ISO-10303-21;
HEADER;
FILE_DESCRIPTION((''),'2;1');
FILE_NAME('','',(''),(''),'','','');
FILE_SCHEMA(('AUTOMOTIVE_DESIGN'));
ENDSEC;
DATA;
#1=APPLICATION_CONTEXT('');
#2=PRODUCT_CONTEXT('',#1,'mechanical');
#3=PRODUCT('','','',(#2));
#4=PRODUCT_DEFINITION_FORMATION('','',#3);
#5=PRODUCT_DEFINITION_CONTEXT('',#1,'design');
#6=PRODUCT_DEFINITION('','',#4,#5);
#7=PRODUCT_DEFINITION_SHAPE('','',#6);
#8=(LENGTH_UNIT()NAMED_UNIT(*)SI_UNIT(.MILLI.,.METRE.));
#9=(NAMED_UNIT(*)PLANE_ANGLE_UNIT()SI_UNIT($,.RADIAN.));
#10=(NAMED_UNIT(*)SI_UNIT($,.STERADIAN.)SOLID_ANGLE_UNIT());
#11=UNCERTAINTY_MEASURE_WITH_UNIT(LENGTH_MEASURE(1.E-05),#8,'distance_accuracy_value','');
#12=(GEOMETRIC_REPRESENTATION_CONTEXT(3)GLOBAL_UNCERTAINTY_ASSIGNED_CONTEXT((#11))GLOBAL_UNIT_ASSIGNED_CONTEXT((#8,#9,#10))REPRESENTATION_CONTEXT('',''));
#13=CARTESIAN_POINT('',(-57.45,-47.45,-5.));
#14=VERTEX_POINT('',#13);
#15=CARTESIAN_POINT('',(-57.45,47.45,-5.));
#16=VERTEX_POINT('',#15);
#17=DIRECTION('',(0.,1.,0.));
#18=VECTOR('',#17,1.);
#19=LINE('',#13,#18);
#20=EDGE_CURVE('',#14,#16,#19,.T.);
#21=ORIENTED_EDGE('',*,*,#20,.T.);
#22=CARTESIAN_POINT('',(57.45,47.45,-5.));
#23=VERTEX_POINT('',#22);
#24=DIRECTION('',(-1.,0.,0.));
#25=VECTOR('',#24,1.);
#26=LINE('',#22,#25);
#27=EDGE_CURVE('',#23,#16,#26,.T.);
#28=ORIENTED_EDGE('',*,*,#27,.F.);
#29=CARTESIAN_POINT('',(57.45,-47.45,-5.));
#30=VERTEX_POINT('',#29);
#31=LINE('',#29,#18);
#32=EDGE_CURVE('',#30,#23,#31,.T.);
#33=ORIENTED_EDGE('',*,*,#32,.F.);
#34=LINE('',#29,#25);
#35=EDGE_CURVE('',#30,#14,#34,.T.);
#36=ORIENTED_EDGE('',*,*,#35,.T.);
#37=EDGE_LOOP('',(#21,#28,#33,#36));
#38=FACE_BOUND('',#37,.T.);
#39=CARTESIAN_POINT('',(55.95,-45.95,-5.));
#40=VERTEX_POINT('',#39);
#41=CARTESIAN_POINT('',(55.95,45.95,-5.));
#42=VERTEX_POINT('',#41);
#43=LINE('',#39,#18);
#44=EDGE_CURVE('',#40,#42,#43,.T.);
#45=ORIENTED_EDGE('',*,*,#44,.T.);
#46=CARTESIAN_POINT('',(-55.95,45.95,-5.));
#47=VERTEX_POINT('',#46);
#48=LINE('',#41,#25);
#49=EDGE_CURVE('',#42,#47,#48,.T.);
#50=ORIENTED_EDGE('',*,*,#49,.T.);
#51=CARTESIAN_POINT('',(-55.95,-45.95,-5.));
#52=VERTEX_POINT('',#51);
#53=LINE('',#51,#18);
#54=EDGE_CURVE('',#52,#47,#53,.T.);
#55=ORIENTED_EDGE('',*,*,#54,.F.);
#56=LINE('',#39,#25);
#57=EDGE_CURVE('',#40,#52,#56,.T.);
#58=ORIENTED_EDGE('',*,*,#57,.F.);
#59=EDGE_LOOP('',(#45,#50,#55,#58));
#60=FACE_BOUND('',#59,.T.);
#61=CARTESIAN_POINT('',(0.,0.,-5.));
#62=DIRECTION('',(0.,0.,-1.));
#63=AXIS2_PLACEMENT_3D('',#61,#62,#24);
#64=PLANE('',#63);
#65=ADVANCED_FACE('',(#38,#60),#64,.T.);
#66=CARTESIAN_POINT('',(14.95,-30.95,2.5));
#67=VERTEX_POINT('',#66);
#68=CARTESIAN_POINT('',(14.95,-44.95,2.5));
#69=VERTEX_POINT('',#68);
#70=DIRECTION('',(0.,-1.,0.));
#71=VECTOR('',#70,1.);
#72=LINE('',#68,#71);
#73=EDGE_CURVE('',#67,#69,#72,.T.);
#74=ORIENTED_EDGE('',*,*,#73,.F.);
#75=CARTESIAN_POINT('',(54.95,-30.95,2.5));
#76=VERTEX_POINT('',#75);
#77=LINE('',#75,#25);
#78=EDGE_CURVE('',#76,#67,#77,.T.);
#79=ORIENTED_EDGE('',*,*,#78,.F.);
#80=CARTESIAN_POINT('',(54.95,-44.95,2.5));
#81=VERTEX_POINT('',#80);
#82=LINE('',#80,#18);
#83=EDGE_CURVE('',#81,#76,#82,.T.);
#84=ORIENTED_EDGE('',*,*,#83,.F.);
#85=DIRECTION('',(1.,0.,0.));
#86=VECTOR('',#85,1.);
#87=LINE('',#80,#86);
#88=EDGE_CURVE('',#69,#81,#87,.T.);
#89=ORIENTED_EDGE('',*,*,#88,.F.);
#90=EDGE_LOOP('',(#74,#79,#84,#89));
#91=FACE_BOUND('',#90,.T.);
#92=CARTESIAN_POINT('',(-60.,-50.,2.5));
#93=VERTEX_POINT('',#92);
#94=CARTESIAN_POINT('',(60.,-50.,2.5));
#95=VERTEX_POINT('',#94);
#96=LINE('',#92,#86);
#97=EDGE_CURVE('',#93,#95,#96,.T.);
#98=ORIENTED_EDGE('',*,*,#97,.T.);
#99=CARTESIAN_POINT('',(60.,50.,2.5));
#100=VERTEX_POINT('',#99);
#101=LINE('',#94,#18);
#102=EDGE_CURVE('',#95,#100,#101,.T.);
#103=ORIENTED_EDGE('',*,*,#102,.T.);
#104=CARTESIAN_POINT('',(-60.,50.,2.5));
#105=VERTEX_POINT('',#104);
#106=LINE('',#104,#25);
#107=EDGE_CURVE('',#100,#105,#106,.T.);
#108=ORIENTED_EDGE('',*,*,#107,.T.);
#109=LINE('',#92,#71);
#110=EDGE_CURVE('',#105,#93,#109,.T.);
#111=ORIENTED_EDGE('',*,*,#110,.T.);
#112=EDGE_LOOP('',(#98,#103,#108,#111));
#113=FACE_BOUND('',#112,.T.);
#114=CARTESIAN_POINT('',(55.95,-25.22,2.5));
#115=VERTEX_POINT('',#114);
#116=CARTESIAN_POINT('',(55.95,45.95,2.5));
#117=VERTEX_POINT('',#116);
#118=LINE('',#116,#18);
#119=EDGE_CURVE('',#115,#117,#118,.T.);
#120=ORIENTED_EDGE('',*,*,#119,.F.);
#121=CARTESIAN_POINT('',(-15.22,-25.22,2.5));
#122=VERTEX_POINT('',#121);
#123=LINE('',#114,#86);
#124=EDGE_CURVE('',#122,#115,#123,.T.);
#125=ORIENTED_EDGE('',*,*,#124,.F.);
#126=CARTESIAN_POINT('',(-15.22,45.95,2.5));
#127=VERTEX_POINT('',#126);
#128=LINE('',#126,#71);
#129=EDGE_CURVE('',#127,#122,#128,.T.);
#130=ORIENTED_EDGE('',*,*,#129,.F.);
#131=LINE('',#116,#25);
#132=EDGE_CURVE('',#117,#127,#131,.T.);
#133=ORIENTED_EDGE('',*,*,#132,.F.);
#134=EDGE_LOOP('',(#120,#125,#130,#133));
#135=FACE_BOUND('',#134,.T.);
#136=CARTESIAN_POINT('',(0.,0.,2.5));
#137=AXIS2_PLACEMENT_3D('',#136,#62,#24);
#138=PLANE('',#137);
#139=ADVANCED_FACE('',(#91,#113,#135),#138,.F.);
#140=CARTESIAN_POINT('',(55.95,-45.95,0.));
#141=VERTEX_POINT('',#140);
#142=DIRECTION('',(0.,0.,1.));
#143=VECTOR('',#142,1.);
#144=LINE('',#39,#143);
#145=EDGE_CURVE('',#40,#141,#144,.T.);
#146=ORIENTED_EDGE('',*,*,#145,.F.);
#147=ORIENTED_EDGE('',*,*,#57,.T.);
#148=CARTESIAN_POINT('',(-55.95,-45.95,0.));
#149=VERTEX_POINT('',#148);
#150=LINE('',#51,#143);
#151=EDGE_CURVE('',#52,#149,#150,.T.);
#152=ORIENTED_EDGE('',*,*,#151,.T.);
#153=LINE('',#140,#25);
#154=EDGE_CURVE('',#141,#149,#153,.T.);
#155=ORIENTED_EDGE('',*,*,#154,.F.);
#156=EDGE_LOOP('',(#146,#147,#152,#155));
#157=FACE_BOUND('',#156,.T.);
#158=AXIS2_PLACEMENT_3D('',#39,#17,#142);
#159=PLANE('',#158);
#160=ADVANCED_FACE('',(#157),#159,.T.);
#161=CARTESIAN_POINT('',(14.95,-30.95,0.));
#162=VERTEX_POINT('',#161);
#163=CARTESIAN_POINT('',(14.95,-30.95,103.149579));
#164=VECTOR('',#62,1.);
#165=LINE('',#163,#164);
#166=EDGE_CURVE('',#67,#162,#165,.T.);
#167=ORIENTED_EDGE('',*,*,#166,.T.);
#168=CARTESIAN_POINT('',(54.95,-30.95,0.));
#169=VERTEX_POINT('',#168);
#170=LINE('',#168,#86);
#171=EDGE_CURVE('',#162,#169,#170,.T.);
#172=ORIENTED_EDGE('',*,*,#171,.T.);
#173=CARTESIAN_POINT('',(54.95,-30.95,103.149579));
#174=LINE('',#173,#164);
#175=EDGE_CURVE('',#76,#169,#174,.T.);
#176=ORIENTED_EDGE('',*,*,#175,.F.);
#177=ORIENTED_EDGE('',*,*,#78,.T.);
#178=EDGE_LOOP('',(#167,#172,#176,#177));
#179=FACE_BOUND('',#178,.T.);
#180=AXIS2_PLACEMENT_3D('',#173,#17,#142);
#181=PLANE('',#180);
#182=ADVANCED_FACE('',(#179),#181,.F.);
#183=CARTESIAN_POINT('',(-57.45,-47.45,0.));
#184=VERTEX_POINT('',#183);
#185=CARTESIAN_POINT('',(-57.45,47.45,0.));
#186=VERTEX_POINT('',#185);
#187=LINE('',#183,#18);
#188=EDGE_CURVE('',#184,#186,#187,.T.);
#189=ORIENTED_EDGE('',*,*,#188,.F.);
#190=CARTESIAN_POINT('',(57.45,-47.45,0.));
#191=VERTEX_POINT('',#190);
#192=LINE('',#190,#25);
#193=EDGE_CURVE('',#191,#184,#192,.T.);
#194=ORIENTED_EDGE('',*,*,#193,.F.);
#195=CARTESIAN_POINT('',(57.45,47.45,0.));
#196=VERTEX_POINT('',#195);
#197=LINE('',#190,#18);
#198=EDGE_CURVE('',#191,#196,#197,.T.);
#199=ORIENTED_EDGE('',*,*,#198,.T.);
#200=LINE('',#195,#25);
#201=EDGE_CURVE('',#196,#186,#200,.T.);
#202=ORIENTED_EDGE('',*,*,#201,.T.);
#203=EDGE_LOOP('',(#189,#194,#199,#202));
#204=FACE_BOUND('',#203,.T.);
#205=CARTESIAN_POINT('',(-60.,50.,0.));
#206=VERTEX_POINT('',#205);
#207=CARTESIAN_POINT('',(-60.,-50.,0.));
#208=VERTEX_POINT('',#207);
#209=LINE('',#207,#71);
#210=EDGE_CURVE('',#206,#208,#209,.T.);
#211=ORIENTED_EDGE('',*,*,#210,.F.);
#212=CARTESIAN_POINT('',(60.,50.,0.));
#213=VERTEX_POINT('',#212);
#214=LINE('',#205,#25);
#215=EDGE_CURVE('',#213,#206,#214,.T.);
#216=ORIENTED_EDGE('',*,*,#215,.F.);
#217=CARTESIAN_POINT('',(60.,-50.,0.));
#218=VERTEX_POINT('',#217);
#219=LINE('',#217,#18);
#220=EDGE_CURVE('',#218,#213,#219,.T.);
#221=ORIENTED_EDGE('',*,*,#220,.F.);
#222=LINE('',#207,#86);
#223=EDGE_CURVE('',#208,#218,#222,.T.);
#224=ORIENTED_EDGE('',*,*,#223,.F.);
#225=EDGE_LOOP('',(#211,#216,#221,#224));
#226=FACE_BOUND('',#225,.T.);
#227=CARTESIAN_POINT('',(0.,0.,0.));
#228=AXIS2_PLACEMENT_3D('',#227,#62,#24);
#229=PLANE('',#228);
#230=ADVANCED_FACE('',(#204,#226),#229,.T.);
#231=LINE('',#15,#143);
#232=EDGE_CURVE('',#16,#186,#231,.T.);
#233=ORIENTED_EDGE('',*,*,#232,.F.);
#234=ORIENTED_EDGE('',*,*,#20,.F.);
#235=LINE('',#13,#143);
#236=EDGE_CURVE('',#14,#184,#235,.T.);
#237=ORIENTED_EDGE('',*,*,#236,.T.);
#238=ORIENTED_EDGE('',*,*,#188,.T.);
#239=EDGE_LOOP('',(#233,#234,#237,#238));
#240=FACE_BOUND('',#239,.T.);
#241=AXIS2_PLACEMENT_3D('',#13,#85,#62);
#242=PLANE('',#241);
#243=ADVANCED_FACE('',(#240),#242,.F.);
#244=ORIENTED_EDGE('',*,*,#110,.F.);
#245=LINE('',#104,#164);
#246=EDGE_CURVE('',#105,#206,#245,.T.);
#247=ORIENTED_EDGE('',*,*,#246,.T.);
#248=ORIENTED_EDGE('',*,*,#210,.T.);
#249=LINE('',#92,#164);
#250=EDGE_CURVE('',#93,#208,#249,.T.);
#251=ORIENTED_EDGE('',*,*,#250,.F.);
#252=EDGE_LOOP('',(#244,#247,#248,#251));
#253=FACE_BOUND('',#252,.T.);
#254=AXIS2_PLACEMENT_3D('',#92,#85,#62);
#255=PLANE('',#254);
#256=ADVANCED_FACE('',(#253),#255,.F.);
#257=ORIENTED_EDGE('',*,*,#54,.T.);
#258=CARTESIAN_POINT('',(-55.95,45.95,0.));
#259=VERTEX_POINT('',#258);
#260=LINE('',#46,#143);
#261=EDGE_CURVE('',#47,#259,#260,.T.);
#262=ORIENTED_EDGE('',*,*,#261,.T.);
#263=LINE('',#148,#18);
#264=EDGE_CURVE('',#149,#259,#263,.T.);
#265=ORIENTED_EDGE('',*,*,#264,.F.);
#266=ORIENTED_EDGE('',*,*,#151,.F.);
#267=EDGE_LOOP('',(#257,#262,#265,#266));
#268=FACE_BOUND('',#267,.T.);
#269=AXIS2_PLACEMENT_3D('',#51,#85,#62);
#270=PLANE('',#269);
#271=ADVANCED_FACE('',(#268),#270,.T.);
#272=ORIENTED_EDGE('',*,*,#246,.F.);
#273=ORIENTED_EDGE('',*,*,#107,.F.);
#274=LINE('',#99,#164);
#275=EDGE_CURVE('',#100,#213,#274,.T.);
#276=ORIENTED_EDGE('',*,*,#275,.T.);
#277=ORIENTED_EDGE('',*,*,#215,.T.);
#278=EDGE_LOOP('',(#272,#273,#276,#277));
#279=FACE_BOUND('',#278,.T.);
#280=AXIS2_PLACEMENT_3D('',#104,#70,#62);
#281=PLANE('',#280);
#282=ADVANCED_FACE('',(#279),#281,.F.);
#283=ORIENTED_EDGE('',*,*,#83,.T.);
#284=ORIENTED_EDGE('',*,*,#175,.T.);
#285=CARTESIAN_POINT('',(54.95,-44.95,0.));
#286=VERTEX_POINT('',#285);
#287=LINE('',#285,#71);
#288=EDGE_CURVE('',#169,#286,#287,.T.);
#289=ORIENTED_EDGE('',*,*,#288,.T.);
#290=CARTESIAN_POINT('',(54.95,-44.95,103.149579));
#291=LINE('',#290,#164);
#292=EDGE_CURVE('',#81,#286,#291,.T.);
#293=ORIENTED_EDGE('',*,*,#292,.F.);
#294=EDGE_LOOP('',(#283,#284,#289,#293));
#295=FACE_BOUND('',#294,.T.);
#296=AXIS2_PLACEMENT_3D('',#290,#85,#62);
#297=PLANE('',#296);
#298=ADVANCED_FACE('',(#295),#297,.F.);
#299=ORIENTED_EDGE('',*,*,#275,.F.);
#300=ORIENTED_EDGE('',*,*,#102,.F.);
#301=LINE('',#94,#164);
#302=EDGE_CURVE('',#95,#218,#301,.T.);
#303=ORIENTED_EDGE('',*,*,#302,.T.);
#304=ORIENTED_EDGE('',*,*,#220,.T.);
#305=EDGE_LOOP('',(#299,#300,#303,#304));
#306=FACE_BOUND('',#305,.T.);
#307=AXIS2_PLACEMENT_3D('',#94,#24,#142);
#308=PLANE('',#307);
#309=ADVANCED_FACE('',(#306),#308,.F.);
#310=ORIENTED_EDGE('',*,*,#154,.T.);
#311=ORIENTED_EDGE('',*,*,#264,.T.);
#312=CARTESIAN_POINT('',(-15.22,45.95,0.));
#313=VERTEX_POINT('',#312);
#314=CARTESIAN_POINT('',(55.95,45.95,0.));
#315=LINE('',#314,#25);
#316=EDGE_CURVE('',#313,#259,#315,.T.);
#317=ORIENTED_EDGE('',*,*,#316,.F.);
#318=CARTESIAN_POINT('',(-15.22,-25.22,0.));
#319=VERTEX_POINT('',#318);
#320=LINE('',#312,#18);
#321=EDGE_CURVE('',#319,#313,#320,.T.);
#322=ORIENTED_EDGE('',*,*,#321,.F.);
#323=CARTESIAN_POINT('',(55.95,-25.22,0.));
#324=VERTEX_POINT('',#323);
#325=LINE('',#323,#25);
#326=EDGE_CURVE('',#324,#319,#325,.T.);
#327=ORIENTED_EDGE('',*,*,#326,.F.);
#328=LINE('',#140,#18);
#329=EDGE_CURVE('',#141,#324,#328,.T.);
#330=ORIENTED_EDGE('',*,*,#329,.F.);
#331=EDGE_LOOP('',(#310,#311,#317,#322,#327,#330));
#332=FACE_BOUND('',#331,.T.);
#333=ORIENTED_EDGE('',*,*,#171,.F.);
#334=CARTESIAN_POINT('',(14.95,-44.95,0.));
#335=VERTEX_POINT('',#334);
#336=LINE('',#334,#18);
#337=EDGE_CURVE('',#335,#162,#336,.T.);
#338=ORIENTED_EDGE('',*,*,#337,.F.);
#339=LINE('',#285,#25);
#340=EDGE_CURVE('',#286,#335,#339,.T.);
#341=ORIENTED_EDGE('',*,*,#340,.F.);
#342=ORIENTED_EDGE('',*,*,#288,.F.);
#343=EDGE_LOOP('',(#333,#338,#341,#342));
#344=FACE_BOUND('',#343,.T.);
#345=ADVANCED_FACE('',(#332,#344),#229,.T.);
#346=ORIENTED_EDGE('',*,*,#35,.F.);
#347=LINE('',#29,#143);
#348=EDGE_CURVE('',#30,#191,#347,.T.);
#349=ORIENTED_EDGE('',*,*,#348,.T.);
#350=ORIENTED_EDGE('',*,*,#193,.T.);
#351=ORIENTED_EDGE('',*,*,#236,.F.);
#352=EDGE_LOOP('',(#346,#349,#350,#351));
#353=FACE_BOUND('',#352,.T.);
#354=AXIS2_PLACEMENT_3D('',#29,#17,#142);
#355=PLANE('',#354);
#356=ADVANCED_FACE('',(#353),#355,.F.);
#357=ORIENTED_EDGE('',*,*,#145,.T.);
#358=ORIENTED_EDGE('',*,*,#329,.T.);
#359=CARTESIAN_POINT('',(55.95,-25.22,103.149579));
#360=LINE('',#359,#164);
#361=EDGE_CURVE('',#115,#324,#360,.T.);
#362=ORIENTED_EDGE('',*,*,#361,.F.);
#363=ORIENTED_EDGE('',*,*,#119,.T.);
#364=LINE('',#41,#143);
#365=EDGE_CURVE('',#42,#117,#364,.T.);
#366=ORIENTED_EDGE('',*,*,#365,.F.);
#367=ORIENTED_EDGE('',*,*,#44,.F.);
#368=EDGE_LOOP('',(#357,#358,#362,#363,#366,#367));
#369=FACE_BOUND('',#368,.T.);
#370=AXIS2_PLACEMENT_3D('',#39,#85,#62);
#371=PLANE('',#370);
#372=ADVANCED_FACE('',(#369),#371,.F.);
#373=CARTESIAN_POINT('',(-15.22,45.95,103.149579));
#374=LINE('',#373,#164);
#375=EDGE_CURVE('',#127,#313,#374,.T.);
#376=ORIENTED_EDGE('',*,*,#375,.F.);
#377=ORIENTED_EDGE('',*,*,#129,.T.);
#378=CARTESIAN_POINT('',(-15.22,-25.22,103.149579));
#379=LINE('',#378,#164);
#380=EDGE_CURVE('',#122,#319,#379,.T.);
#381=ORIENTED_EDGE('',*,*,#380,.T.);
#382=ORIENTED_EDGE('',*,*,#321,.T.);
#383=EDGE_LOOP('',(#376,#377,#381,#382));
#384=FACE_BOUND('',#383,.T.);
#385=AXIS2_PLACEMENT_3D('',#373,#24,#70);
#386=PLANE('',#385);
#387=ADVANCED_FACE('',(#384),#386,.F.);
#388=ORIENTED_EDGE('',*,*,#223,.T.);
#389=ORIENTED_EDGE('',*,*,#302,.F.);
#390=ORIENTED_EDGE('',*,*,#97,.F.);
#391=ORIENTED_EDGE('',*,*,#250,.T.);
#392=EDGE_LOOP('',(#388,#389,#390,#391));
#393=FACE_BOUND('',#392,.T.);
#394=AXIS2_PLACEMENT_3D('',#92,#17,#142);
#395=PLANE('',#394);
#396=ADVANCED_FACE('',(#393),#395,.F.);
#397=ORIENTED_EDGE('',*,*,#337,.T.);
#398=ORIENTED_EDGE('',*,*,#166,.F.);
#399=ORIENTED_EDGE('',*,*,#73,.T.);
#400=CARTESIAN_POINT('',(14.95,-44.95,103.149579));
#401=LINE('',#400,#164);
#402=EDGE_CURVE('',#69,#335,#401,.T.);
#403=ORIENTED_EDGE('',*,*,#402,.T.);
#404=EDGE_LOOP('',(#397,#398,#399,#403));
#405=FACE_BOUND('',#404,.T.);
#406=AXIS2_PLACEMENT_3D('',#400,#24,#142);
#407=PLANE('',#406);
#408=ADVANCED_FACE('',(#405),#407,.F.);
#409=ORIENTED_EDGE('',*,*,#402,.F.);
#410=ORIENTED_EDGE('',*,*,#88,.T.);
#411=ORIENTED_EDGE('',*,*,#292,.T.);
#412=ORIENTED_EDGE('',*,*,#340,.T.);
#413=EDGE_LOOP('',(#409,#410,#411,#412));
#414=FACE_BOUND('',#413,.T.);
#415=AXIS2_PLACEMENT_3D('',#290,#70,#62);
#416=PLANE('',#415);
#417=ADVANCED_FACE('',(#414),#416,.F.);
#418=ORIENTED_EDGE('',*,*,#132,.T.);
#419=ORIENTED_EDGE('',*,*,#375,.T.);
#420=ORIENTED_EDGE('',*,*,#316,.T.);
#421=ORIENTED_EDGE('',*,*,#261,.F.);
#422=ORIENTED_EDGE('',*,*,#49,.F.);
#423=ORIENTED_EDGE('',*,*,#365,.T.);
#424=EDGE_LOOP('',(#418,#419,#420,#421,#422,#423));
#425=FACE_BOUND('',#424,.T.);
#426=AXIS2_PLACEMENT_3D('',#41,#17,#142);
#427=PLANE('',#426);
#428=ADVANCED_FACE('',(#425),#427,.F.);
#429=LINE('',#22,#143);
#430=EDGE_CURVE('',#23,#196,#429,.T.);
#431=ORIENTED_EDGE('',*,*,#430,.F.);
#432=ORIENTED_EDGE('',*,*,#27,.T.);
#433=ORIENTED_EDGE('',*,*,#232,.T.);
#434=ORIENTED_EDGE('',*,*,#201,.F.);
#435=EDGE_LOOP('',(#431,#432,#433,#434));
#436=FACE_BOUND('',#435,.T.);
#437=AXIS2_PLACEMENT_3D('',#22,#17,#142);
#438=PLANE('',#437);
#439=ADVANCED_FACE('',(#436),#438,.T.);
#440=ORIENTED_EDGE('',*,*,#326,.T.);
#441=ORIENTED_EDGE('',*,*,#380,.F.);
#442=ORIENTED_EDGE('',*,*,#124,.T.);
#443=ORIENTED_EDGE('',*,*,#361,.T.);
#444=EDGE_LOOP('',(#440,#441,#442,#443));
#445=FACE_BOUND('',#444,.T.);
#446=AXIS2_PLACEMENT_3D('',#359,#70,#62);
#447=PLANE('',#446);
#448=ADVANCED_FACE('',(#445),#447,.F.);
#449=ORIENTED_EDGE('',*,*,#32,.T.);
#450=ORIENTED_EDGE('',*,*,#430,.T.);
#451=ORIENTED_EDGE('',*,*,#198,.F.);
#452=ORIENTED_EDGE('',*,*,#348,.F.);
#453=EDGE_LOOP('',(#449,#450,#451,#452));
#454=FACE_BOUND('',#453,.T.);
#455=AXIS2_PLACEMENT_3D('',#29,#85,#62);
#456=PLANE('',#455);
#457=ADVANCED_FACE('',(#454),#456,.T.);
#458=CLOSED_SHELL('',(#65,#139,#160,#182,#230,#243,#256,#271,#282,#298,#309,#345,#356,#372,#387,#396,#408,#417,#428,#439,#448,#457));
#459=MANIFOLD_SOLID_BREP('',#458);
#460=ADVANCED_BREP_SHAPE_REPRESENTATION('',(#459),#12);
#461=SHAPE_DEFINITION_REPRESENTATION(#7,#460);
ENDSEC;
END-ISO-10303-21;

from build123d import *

# Parameters (mm, degrees)
SKETCH2_W           = 120
SKETCH2_H           = 100
BOSS_EXTRUDE1_DEPTH = 2.5
SKETCH3_W           = 114.9
SKETCH3_H           = 94.9
SKETCH3_W_2         = 111.9
SKETCH3_H_2         = 91.9
BOSS_EXTRUDE2_DEPTH = 5
SKETCH4_W           = 71.17
SKETCH4_H           = 71.17
SKETCH4_W_2         = 40
SKETCH4_H_2         = 14
CUT_EXTRUDE1_DEPTH  = 2.5


with BuildPart() as part:
    # Sketch2 → Boss-Extrude1 (new body)
    with BuildSketch(Plane.XY):
        Rectangle(SKETCH2_W, SKETCH2_H)
    extrude(amount=BOSS_EXTRUDE1_DEPTH)

    # Sketch3 → Boss-Extrude2 (add)
    with BuildSketch(Plane(origin=(0, 0, 0), x_dir=(-1, 0, 0), z_dir=(0, 0, -1))):
        Rectangle(SKETCH3_W, SKETCH3_H)
        Rectangle(SKETCH3_W_2, SKETCH3_H_2, mode=Mode.SUBTRACT)
    extrude(amount=BOSS_EXTRUDE2_DEPTH)

    # Sketch4 → Cut-Extrude1 (cut)
    with BuildSketch(Plane(origin=(0, 0, 0), x_dir=(-1, 0, 0), z_dir=(0, 0, -1))):
        with Locations((-20.365, 10.365)):
            Rectangle(SKETCH4_W, SKETCH4_H)
        with Locations((-34.95, -37.95)):
            Rectangle(SKETCH4_W_2, SKETCH4_H_2)
    extrude(amount=-CUT_EXTRUDE1_DEPTH, mode=Mode.SUBTRACT)


solid = part.part
